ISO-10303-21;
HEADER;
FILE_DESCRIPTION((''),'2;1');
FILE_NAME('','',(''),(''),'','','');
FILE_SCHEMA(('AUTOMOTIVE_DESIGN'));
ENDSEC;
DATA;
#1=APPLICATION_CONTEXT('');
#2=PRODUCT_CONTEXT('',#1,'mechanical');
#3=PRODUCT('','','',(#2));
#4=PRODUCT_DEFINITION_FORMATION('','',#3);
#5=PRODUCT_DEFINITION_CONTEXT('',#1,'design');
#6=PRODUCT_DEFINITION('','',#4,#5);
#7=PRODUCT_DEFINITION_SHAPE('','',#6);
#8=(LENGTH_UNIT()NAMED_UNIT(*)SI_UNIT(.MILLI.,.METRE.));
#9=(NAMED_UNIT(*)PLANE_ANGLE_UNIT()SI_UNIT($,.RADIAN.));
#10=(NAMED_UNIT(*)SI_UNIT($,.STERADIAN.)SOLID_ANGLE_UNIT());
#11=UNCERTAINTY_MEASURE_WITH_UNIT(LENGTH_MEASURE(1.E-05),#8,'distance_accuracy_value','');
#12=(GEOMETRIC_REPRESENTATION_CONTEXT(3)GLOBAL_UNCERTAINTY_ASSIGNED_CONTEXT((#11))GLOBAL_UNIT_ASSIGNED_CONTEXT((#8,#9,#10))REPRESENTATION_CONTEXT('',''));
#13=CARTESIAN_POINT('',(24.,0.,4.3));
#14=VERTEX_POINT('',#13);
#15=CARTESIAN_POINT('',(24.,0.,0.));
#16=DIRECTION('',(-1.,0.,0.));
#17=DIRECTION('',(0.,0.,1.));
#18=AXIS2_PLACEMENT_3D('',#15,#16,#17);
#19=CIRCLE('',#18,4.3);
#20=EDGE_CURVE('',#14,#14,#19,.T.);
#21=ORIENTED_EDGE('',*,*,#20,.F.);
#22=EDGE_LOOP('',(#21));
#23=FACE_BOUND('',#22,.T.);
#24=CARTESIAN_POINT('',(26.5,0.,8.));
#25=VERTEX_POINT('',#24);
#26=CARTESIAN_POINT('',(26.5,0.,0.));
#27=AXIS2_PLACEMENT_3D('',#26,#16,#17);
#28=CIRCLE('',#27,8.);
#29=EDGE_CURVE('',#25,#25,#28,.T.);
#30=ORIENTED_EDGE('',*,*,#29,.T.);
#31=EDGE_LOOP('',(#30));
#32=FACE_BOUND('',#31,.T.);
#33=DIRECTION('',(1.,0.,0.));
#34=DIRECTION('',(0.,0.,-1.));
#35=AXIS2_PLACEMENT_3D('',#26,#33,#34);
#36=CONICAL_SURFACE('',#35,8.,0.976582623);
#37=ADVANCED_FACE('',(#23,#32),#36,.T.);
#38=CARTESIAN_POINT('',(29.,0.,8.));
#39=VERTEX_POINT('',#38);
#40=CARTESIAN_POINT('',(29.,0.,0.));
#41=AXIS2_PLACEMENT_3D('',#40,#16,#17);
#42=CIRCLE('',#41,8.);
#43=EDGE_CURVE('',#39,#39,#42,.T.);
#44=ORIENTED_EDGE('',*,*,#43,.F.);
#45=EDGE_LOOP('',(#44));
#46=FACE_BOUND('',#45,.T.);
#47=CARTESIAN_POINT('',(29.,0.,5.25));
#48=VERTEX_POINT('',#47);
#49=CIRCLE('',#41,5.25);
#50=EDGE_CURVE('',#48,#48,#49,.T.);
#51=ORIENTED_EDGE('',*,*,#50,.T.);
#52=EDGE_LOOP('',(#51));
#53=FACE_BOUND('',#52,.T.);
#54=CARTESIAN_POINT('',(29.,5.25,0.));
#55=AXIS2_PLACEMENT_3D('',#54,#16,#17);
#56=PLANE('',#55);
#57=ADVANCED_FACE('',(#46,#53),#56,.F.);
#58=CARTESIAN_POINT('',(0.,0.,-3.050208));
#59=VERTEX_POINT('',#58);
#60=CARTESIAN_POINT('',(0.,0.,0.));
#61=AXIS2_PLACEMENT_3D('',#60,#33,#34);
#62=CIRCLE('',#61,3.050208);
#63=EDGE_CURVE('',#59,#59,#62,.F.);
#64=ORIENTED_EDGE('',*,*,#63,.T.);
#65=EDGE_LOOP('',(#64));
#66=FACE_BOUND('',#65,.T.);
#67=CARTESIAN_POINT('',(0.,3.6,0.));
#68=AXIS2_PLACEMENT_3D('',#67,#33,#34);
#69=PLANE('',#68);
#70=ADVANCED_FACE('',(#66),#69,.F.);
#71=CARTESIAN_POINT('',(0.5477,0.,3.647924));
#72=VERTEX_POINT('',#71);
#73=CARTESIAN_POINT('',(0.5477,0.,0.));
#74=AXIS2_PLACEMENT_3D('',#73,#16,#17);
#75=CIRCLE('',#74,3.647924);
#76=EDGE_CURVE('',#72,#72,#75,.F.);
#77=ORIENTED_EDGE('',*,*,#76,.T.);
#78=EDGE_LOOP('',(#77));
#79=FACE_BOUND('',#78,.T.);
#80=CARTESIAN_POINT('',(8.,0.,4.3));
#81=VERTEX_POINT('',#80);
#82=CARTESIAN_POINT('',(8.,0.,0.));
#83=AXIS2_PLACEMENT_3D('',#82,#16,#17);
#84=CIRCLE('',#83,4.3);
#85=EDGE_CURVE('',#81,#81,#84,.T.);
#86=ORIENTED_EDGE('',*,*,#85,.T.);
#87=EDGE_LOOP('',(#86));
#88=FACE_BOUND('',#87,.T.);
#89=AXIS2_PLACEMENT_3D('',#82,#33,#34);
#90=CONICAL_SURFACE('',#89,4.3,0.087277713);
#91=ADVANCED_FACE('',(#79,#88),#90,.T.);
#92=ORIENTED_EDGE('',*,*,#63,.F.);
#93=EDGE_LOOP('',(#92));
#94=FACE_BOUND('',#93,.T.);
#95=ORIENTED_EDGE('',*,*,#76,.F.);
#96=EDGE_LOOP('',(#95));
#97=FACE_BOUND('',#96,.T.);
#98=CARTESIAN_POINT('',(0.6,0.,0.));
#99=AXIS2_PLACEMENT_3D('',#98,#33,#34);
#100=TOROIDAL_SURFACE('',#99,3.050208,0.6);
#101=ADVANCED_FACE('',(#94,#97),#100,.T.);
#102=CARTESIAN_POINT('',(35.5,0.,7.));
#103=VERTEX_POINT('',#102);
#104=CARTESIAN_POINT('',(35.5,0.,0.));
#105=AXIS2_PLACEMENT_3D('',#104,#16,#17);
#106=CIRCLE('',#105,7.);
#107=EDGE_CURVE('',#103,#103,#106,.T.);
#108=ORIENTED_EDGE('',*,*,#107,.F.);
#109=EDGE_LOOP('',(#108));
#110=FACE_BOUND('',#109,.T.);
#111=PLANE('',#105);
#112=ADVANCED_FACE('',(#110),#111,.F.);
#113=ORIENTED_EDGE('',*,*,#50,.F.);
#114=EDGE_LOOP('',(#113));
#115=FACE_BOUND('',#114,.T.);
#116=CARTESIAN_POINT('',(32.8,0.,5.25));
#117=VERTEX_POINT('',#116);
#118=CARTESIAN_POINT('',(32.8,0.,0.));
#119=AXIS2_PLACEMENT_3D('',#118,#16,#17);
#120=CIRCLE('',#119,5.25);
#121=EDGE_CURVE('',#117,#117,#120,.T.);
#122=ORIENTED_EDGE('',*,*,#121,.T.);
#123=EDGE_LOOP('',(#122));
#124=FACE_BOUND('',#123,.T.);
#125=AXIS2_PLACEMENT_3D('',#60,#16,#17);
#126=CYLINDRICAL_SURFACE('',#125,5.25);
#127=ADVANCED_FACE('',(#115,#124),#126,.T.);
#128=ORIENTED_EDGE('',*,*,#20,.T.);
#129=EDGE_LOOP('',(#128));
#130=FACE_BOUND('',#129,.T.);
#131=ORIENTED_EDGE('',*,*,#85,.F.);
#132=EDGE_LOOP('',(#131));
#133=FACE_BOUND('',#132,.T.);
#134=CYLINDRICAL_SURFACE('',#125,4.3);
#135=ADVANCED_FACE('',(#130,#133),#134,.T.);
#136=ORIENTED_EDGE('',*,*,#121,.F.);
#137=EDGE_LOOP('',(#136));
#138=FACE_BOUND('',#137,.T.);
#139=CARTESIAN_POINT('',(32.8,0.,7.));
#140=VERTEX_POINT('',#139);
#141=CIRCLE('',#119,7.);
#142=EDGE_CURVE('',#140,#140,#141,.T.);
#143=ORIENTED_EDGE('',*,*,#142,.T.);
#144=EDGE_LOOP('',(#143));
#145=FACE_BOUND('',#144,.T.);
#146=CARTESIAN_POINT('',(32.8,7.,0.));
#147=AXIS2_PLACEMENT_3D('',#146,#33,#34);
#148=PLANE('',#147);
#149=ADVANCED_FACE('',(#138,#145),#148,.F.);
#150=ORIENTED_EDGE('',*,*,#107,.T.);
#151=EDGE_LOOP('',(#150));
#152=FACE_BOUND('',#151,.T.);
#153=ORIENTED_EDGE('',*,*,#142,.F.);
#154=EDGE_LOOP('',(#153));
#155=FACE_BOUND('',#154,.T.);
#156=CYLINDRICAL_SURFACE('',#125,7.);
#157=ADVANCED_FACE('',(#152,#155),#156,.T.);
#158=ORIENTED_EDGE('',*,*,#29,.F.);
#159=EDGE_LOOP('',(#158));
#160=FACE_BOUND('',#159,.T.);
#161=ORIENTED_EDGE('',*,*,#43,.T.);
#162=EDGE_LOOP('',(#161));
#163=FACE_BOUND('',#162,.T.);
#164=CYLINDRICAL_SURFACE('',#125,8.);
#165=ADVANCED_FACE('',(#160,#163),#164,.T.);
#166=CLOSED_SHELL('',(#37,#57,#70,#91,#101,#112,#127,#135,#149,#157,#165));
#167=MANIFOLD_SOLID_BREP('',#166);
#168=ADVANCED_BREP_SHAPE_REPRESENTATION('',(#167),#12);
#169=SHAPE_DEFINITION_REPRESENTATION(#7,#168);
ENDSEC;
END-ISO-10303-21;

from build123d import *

# Parameters (mm, degrees)
FILETE1_R = 0.6


with BuildPart() as part:
    # Esboço1 → Revolução1 (revolve)
    with BuildSketch(Plane.XY, mode=Mode.PRIVATE) as revolu_o1_sk:
        Polygon((35.5, 0), (35.5, 7), (32.8, 7), (32.8, 5.25), (29, 5.25), (29, 8), (26.5, 8), (24, 4.3), (8, 4.3), (0, 3.6), (0, 0), align=None)
    revolve(revolu_o1_sk.sketch.rotate(Axis((0, 0, 0), (1, 0, 0)), 90), axis=Axis((0, 0, 0), (1, 0, 0)))

    # Filete1
    filete1_edges = [part.edges().sort_by_distance(p)[0] for p in [
        (0, 0, -3.6),
    ]]
    fillet(filete1_edges, radius=FILETE1_R)


solid = part.part
